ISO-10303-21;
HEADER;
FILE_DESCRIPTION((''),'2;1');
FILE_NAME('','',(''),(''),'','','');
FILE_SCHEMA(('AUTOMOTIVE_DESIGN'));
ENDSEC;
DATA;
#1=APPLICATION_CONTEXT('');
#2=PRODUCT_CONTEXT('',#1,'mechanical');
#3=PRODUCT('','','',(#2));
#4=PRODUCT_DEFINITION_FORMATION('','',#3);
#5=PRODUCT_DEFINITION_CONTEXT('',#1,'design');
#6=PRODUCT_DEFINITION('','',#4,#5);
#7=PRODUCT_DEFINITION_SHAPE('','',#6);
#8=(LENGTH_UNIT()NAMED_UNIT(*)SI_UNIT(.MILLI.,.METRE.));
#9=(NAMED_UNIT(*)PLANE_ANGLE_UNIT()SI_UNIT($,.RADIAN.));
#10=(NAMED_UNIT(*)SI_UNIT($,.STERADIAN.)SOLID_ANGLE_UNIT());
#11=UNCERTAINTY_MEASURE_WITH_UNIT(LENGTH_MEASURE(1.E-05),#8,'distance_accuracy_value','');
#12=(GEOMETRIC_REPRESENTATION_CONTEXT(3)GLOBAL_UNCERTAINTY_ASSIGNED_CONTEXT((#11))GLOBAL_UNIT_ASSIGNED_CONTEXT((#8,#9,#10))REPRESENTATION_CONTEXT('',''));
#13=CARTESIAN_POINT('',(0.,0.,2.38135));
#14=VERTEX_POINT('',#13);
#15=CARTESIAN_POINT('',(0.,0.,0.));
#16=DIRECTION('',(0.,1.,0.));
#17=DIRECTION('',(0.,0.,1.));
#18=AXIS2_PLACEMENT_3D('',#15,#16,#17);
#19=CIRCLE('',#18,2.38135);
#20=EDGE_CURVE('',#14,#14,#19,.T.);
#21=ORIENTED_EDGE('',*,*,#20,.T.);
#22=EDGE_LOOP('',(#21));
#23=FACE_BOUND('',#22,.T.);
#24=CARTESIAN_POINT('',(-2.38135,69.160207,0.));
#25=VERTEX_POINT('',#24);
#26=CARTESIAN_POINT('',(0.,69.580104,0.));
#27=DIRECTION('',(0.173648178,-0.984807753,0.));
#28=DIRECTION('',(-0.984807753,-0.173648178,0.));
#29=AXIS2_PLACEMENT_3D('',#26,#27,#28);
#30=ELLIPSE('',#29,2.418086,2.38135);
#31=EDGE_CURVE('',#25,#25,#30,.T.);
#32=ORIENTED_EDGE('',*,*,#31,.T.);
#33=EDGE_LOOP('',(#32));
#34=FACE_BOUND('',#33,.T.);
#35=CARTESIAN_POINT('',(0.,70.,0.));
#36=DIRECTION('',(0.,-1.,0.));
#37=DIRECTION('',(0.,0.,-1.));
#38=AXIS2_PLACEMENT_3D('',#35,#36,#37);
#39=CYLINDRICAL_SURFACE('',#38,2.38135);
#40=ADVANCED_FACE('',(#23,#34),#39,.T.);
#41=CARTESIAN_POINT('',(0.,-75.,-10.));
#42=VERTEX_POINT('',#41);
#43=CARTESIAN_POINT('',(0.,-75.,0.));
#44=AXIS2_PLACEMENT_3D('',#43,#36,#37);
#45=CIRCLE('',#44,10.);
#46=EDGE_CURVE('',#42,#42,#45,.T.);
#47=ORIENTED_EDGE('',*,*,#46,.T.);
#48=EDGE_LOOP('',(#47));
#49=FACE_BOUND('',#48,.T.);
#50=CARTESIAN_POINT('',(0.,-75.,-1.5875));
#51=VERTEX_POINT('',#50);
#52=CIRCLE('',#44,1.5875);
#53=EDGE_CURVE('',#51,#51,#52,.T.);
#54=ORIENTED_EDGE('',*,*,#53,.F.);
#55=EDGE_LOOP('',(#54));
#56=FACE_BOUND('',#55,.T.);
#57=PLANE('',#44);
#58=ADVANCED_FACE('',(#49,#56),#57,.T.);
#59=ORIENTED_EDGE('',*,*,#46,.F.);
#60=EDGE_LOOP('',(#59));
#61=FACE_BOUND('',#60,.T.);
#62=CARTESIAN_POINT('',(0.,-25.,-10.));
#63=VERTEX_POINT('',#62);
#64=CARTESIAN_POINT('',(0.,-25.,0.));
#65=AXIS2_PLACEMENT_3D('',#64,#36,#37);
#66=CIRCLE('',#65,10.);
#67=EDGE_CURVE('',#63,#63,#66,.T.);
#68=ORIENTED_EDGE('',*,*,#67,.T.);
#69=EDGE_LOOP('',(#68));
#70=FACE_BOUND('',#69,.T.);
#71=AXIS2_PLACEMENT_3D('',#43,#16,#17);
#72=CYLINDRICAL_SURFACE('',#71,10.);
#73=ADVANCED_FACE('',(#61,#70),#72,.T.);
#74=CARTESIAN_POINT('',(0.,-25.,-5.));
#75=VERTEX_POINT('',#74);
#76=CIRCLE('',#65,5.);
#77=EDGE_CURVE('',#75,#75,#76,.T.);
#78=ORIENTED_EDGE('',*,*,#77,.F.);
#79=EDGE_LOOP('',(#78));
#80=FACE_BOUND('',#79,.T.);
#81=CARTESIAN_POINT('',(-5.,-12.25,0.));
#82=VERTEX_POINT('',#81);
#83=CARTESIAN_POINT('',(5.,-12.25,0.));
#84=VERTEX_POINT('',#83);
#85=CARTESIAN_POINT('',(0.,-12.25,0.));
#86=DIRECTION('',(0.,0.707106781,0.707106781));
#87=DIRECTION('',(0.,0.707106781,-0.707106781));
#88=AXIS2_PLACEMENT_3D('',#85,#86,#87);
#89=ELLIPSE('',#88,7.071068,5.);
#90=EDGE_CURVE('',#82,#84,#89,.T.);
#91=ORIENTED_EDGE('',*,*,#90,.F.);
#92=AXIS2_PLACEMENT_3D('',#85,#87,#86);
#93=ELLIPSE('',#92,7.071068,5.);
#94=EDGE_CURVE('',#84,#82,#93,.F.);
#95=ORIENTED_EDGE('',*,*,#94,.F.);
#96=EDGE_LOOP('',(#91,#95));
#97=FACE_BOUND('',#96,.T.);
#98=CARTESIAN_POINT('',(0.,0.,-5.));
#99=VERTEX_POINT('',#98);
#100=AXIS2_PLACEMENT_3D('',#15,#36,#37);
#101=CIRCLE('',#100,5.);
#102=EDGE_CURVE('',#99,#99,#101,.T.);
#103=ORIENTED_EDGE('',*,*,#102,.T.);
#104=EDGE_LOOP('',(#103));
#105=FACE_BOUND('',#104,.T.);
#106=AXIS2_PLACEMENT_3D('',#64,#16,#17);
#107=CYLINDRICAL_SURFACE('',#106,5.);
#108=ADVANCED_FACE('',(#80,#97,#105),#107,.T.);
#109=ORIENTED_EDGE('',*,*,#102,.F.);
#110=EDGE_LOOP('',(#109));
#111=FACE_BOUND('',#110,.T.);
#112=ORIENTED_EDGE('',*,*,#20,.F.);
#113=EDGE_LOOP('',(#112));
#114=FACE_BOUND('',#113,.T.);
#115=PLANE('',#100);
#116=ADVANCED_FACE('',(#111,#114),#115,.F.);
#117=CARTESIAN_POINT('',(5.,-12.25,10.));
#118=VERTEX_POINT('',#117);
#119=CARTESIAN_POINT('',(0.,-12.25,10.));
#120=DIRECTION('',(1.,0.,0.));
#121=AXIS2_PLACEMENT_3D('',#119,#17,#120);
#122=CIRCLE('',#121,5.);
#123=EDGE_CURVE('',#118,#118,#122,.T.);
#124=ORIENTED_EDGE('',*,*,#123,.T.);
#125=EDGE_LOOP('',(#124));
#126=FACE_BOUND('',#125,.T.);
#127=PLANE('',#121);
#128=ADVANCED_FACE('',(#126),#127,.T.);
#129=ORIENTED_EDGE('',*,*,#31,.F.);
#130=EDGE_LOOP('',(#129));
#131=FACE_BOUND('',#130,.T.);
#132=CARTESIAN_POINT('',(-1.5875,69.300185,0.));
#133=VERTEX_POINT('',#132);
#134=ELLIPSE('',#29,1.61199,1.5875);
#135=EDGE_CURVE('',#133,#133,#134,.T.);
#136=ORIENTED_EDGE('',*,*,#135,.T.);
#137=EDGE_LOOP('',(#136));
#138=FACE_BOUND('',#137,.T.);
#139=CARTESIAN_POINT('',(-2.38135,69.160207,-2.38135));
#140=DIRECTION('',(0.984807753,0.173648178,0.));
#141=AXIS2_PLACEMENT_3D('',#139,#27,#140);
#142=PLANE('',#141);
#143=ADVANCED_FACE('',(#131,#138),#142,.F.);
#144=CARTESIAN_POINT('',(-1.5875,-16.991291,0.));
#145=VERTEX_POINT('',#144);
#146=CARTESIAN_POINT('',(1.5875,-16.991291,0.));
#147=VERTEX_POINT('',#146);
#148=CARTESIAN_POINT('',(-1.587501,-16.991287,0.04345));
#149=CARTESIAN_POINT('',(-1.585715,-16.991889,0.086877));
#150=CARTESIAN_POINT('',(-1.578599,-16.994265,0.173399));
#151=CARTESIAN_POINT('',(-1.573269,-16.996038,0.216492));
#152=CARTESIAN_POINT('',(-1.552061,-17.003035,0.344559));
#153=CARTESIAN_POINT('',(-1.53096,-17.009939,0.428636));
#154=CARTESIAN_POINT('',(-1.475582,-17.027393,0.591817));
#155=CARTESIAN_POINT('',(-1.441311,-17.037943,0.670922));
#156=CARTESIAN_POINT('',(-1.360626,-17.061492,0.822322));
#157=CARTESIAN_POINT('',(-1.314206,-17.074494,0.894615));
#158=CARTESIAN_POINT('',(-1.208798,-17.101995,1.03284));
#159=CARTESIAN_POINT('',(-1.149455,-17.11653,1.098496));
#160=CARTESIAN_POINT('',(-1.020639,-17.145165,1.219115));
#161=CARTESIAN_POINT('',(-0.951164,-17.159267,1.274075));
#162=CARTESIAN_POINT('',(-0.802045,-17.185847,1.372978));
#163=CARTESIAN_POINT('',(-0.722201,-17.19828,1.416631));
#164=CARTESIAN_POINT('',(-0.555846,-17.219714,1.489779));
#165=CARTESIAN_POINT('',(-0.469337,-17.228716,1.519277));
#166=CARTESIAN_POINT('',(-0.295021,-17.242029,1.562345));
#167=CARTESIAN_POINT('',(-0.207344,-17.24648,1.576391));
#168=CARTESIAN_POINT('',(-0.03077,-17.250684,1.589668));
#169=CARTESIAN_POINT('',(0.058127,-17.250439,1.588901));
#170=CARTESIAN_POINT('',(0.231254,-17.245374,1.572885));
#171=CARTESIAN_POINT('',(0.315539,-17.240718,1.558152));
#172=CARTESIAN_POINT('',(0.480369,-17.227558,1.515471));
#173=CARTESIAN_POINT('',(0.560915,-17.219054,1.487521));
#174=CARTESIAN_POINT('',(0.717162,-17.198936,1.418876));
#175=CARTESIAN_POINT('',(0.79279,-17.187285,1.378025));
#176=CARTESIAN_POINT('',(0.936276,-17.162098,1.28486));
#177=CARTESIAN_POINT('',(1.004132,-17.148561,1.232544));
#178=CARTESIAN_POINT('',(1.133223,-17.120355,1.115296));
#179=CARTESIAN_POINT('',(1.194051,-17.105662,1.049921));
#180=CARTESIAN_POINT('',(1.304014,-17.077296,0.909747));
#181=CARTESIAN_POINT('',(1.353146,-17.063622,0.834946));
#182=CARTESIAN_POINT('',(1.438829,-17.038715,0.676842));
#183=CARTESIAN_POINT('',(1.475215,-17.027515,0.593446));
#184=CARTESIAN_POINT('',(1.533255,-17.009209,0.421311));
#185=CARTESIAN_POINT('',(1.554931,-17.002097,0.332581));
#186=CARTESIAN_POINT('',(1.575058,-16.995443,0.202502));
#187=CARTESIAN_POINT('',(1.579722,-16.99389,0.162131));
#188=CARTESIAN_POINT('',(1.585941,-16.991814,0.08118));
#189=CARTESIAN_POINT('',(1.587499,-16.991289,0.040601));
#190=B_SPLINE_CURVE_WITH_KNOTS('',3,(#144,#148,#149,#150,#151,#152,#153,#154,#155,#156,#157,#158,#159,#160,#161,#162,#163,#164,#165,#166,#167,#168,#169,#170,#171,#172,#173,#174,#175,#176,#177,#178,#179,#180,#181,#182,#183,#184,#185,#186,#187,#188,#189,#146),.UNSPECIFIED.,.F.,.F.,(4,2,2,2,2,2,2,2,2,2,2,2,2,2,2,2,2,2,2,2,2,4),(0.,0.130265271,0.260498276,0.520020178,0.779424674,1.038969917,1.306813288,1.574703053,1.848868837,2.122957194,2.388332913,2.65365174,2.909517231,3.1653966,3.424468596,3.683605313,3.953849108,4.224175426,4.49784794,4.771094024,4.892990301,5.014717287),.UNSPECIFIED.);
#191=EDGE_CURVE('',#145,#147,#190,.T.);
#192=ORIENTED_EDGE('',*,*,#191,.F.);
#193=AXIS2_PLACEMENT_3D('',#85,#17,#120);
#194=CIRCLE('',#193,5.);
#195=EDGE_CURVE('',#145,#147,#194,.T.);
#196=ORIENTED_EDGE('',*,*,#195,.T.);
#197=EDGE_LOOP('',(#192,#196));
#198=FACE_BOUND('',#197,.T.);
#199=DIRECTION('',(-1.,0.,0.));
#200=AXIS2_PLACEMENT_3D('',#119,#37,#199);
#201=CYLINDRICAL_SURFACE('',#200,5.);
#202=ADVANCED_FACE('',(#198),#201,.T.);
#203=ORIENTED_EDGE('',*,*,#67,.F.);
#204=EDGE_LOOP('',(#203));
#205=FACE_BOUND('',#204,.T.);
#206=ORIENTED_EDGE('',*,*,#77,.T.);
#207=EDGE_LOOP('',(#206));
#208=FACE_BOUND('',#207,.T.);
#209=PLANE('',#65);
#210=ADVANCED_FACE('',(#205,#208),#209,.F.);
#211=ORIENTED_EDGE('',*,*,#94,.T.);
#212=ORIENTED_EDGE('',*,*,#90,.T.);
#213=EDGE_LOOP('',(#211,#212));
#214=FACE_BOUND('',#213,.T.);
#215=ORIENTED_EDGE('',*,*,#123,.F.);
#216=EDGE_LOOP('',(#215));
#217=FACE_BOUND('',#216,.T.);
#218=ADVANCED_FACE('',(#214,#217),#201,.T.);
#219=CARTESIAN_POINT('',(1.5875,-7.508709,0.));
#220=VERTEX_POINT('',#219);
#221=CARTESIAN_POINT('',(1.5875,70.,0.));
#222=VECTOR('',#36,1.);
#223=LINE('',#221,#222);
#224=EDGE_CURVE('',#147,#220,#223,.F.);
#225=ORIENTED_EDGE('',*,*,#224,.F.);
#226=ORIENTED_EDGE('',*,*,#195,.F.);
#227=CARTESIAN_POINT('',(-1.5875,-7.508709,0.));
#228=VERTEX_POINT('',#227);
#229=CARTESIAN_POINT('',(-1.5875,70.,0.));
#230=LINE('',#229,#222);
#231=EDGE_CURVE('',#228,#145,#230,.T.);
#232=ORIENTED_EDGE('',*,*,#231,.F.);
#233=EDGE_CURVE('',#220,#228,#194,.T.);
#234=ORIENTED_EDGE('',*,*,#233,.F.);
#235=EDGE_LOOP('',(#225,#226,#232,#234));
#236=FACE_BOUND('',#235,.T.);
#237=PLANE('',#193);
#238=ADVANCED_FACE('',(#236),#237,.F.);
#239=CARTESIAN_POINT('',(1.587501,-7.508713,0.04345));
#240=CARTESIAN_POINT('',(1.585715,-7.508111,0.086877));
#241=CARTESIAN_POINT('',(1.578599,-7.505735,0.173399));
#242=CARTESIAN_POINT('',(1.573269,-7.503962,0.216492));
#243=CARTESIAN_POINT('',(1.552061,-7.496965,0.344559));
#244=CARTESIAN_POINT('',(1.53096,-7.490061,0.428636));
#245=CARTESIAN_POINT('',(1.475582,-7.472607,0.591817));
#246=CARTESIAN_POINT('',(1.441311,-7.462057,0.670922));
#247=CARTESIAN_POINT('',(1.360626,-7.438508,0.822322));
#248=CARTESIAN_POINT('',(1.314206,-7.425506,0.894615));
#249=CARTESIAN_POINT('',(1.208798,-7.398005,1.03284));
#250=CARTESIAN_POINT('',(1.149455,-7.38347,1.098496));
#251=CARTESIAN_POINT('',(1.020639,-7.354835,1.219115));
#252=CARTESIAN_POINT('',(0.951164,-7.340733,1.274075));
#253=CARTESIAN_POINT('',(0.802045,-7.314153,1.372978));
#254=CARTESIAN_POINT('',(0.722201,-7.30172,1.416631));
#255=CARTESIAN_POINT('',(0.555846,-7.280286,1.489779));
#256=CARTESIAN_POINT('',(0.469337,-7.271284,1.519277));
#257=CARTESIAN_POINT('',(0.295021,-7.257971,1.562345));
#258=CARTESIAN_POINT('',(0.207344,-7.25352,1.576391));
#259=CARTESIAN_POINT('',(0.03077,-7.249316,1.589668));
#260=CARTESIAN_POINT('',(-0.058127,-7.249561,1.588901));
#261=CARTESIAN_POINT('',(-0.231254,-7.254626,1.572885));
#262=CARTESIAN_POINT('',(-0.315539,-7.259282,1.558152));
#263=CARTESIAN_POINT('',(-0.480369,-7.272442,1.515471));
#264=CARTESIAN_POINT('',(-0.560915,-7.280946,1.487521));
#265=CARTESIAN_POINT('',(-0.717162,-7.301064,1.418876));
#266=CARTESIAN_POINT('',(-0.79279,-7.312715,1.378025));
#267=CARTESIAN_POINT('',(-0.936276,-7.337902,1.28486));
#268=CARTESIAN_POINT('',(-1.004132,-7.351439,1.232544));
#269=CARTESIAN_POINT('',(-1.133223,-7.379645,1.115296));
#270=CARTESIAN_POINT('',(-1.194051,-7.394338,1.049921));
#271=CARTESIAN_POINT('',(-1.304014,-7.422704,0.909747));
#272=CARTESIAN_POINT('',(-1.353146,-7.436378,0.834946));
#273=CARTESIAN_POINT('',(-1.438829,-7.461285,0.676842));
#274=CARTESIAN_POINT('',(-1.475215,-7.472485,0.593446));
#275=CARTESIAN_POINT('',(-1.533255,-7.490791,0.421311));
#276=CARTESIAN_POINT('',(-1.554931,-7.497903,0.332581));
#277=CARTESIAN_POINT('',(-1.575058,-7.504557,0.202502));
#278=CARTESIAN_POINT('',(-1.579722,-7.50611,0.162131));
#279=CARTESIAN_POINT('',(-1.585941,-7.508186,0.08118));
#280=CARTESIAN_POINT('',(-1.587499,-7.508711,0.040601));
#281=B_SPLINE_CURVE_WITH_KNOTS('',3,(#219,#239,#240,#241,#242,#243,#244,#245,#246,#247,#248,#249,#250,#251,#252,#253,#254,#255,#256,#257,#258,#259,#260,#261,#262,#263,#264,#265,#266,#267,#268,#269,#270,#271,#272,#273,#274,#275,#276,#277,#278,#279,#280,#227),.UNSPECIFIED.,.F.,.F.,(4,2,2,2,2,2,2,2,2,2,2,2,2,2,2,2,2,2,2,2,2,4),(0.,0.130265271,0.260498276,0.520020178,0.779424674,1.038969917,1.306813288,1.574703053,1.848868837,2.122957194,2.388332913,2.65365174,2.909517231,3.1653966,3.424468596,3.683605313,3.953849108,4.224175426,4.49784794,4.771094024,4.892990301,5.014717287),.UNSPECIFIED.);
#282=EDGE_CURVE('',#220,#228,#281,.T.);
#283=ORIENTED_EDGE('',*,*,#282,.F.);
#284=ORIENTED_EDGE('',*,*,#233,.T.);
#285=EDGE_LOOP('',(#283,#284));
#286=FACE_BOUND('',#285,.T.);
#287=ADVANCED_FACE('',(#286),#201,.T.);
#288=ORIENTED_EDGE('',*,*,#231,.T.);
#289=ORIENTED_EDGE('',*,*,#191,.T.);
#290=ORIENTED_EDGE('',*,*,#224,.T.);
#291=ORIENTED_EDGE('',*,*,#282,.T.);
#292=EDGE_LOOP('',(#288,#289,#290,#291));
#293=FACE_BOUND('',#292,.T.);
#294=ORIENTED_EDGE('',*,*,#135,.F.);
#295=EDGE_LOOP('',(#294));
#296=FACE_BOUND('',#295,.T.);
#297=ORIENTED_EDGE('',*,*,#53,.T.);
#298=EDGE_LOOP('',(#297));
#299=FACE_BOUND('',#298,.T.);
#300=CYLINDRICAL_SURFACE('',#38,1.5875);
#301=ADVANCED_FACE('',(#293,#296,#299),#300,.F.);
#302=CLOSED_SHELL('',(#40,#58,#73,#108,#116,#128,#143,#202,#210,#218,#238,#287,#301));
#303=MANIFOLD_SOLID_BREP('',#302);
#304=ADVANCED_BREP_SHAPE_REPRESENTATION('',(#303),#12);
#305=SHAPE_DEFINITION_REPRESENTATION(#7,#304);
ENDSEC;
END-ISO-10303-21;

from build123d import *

# Parameters (mm, degrees)
CROQUIS1_R                 = 2.38135
CROQUIS1_R_2               = 1.5875
SALIENTE_EXTRUIR1_DEPTH    = 70
CORTAR_EXTRUIR1_DEPTH      = 3.38135
CORTAR_EXTRUIR1_DEPTH_BACK = 3.38135
CROQUIS3_R                 = 5
CROQUIS3_R_2               = 1.5875
SALIENTE_EXTRUIR2_DEPTH    = 25
CROQUIS4_R                 = 10
CROQUIS4_R_2               = 1.5875
SALIENTE_EXTRUIR3_DEPTH    = 50
CROQUIS5_R                 = 5
SALIENTE_EXTRUIR4_DEPTH    = 10


with BuildPart() as part:
    # Croquis1 → Saliente-Extruir1 (new body)
    with BuildSketch(Plane(origin=(0, 0, 0), x_dir=(1, 0, 0), z_dir=(0, 1, 0))):
        Circle(CROQUIS1_R)
        Circle(CROQUIS1_R_2, mode=Mode.SUBTRACT)
    extrude(amount=SALIENTE_EXTRUIR1_DEPTH)

    # Croquis2 → Cortar-Extruir1 (cut, two sides)
    with BuildSketch(Plane.XY) as cortar_extruir1_sk:
        Polygon((2.38135, 70), (-2.38135, 70), (-2.38135, 69.160207489), align=None)
    extrude(amount=CORTAR_EXTRUIR1_DEPTH, mode=Mode.SUBTRACT)
    extrude(cortar_extruir1_sk.sketch, amount=-CORTAR_EXTRUIR1_DEPTH_BACK, mode=Mode.SUBTRACT)

    # Croquis3 → Saliente-Extruir2 (add)
    with BuildSketch(Plane.XZ):
        Circle(CROQUIS3_R)
        Circle(CROQUIS3_R_2, mode=Mode.SUBTRACT)
    extrude(amount=SALIENTE_EXTRUIR2_DEPTH)

    # Croquis4 → Saliente-Extruir3 (add)
    with BuildSketch(Plane.XZ.offset(25)):
        Circle(CROQUIS4_R)
        Circle(CROQUIS4_R_2, mode=Mode.SUBTRACT)
    extrude(amount=SALIENTE_EXTRUIR3_DEPTH)

    # Croquis5 → Saliente-Extruir4 (add)
    with BuildSketch(Plane.XY):
        with Locations((0, -12.25)):
            Circle(CROQUIS5_R)
    extrude(amount=SALIENTE_EXTRUIR4_DEPTH)


solid = part.part
